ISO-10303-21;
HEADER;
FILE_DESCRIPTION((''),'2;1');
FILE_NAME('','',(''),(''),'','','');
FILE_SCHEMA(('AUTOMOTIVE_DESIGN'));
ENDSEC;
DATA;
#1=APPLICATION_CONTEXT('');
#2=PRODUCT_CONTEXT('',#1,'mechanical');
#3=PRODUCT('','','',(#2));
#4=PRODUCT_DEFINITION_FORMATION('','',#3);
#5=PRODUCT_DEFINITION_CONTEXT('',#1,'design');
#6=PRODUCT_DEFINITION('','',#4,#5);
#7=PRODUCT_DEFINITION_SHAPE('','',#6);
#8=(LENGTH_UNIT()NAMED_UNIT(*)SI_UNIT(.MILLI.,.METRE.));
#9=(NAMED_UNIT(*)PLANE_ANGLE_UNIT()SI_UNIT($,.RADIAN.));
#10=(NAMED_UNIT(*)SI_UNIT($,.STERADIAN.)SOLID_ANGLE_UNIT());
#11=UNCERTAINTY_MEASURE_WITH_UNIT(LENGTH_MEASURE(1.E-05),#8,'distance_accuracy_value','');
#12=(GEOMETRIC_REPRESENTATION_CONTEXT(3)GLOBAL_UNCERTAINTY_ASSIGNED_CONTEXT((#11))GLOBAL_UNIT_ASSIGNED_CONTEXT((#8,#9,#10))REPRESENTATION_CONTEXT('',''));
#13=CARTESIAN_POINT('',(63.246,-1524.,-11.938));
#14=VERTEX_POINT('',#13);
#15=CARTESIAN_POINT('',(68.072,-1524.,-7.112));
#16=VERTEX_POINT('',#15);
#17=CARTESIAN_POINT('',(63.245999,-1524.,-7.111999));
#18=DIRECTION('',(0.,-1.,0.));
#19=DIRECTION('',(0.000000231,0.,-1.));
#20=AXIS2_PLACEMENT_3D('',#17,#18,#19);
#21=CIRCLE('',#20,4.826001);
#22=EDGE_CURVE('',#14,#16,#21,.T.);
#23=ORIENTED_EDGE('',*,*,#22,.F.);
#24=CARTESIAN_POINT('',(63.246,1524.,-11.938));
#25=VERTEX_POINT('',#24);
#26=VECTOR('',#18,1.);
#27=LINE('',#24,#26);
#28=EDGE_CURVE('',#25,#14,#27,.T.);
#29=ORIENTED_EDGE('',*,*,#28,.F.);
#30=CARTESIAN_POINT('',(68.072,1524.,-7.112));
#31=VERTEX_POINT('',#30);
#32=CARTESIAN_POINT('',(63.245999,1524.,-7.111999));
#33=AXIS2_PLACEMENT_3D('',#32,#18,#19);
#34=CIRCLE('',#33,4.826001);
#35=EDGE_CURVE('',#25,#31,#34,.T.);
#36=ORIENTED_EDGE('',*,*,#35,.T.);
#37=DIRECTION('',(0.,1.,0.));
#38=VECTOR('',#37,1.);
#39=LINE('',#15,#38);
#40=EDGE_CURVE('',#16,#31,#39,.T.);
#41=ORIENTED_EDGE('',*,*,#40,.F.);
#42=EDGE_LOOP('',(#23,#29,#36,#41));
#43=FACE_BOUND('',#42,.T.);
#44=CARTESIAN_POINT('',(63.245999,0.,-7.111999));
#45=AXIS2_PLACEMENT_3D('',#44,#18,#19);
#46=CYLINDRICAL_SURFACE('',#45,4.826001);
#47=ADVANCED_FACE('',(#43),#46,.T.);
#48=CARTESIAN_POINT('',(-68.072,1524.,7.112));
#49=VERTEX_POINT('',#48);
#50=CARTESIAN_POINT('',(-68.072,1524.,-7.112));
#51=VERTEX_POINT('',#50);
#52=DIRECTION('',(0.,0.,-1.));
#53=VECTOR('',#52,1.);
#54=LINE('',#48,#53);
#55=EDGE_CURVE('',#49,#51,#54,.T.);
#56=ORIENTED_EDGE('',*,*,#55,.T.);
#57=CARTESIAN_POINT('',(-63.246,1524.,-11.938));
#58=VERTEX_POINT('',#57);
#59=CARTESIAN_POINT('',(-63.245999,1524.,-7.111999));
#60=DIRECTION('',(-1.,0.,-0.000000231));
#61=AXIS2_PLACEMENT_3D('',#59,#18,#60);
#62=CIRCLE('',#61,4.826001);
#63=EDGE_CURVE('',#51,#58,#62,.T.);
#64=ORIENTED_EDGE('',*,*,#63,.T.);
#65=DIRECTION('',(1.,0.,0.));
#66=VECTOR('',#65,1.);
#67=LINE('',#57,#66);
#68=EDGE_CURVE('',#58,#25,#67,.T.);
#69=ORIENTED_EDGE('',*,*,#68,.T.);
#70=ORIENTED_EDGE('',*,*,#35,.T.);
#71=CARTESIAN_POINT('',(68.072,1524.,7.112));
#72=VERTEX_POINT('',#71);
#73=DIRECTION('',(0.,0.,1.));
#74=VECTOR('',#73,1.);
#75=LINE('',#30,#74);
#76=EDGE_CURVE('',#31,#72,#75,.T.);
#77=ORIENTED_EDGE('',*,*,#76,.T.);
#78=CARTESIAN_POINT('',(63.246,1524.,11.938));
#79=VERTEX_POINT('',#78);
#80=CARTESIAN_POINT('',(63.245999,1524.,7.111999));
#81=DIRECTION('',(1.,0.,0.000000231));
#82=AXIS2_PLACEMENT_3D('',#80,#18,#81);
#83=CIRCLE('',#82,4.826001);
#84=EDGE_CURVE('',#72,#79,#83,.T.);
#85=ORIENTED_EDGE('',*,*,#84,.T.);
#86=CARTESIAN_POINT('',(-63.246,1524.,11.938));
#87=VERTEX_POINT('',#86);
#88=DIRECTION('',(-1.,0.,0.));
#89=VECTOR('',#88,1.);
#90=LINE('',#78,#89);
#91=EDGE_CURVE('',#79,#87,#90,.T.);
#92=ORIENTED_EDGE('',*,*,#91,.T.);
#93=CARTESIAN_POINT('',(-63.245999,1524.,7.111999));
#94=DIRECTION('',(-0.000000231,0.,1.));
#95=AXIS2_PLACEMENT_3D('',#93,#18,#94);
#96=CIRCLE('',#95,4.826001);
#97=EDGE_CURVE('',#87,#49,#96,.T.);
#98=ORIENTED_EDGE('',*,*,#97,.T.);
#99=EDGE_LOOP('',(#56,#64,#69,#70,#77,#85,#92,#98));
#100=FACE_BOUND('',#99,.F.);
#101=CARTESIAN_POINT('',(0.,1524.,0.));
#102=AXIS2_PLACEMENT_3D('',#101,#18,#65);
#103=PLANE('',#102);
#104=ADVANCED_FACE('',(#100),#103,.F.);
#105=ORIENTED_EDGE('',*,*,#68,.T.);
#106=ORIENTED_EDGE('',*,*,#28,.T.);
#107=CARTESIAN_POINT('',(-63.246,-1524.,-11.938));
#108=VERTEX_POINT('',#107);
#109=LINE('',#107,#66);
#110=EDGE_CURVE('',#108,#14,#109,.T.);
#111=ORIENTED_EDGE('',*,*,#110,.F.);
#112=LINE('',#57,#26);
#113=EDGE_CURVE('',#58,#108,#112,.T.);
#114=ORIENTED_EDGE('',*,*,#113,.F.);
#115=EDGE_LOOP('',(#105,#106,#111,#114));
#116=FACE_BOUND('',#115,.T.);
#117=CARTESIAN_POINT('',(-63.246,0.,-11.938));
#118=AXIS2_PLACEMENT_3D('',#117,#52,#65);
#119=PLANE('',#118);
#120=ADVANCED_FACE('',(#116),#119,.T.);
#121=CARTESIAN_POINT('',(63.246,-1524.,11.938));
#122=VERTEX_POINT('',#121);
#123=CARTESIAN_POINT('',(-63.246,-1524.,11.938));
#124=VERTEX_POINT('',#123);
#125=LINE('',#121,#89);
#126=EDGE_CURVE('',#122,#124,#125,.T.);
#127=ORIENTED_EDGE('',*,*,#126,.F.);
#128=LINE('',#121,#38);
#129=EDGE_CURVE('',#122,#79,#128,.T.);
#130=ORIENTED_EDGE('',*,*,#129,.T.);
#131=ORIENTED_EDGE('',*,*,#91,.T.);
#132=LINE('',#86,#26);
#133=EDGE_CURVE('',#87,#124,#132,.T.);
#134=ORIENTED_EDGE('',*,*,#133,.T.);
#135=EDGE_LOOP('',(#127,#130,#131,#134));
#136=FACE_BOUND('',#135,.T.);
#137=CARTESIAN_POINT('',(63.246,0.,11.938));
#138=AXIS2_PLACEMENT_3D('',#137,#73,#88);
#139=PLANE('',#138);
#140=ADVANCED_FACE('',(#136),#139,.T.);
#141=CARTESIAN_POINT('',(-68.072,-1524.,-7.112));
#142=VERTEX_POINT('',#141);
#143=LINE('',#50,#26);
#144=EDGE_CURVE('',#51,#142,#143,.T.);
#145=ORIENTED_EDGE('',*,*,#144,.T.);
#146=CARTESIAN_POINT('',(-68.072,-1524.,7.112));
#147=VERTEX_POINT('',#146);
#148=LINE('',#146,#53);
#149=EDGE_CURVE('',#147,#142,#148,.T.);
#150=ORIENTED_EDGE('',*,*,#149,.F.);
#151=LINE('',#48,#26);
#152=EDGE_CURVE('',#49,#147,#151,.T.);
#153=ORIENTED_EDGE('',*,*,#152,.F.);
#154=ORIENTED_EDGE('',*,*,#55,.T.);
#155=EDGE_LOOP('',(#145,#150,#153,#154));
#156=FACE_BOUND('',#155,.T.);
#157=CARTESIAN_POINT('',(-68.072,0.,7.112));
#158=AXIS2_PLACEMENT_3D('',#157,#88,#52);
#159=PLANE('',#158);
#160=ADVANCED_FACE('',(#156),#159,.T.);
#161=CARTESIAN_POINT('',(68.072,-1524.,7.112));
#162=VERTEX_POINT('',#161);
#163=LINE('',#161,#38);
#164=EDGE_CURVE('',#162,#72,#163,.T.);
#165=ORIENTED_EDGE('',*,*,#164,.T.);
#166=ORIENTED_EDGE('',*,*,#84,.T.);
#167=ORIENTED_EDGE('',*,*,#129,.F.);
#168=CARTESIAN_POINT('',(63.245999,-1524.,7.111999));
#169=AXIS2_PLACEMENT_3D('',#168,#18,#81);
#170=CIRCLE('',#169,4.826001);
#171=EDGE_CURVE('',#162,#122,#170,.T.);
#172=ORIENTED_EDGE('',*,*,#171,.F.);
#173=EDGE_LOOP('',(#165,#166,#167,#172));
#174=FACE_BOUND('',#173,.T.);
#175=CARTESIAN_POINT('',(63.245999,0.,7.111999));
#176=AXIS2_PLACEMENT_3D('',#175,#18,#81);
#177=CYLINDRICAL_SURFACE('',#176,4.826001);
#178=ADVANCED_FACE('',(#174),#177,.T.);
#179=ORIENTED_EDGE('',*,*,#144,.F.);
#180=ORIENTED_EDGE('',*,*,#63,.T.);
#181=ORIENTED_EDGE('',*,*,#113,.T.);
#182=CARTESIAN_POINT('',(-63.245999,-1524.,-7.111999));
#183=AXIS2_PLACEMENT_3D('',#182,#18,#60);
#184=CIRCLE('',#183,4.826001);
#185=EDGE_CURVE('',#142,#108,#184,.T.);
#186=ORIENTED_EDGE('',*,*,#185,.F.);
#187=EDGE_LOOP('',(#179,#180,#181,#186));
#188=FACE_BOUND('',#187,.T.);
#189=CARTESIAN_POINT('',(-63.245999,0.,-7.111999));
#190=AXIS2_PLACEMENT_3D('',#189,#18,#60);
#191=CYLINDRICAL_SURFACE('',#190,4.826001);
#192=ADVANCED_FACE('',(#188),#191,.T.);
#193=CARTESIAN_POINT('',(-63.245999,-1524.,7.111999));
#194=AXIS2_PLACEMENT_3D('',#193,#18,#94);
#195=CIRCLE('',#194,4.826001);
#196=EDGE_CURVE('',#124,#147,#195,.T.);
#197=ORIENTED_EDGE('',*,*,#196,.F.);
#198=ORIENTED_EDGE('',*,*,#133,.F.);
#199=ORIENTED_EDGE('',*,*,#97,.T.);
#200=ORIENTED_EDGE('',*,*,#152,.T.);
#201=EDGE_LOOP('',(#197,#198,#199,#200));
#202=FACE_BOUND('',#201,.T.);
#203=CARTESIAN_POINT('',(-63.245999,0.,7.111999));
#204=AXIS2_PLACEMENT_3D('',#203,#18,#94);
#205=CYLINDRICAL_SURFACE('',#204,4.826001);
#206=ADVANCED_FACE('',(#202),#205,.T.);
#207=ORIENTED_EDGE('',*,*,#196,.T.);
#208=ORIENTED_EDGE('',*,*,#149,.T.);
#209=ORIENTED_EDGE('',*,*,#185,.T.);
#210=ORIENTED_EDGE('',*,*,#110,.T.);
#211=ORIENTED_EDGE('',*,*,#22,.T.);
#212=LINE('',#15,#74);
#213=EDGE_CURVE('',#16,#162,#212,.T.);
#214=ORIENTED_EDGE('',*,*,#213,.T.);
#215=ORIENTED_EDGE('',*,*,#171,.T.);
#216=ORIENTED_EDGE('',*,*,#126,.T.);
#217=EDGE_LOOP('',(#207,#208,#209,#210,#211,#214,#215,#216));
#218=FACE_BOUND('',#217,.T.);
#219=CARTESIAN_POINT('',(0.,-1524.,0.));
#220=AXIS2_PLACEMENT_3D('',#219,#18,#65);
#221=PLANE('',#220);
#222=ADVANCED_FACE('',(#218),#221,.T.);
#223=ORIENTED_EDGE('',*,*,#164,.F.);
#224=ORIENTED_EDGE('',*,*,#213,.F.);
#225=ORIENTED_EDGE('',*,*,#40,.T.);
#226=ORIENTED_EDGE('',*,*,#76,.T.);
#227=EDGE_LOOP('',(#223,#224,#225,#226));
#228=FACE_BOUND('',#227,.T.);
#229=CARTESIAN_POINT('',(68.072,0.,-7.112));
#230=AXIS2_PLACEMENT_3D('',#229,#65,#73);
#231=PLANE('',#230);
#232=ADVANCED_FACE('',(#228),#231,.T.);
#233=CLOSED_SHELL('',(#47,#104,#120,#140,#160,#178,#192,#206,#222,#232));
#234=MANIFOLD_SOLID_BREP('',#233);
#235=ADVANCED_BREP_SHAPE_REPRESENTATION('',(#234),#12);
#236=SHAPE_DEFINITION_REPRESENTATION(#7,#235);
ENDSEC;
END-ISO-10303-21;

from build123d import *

# Parameters (mm, degrees)
F1_DEPTH = 1524


with BuildPart() as f1:
    # F0 (on Front) → F1 (new body, symmetric)
    with BuildSketch(Plane.XZ):
        with BuildLine():
            Line((63.246, 11.938), (-63.246, 11.938))
            ThreePointArc((-63.246, 11.938), (-66.658497, 10.524497), (-68.072, 7.112))
            Line((-68.072, 7.112), (-68.072, -7.112))
            ThreePointArc((-68.072, -7.112), (-66.658497, -10.524497), (-63.246, -11.938))
            Line((-63.246, -11.938), (63.246, -11.938))
            ThreePointArc((63.246, -11.938), (66.658497, -10.524497), (68.072, -7.112))
            Line((68.072, -7.112), (68.072, 7.112))
            ThreePointArc((68.072, 7.112), (66.658497, 10.524497), (63.246, 11.938))
        make_face()
    extrude(amount=F1_DEPTH, both=True)


solid = f1.part
